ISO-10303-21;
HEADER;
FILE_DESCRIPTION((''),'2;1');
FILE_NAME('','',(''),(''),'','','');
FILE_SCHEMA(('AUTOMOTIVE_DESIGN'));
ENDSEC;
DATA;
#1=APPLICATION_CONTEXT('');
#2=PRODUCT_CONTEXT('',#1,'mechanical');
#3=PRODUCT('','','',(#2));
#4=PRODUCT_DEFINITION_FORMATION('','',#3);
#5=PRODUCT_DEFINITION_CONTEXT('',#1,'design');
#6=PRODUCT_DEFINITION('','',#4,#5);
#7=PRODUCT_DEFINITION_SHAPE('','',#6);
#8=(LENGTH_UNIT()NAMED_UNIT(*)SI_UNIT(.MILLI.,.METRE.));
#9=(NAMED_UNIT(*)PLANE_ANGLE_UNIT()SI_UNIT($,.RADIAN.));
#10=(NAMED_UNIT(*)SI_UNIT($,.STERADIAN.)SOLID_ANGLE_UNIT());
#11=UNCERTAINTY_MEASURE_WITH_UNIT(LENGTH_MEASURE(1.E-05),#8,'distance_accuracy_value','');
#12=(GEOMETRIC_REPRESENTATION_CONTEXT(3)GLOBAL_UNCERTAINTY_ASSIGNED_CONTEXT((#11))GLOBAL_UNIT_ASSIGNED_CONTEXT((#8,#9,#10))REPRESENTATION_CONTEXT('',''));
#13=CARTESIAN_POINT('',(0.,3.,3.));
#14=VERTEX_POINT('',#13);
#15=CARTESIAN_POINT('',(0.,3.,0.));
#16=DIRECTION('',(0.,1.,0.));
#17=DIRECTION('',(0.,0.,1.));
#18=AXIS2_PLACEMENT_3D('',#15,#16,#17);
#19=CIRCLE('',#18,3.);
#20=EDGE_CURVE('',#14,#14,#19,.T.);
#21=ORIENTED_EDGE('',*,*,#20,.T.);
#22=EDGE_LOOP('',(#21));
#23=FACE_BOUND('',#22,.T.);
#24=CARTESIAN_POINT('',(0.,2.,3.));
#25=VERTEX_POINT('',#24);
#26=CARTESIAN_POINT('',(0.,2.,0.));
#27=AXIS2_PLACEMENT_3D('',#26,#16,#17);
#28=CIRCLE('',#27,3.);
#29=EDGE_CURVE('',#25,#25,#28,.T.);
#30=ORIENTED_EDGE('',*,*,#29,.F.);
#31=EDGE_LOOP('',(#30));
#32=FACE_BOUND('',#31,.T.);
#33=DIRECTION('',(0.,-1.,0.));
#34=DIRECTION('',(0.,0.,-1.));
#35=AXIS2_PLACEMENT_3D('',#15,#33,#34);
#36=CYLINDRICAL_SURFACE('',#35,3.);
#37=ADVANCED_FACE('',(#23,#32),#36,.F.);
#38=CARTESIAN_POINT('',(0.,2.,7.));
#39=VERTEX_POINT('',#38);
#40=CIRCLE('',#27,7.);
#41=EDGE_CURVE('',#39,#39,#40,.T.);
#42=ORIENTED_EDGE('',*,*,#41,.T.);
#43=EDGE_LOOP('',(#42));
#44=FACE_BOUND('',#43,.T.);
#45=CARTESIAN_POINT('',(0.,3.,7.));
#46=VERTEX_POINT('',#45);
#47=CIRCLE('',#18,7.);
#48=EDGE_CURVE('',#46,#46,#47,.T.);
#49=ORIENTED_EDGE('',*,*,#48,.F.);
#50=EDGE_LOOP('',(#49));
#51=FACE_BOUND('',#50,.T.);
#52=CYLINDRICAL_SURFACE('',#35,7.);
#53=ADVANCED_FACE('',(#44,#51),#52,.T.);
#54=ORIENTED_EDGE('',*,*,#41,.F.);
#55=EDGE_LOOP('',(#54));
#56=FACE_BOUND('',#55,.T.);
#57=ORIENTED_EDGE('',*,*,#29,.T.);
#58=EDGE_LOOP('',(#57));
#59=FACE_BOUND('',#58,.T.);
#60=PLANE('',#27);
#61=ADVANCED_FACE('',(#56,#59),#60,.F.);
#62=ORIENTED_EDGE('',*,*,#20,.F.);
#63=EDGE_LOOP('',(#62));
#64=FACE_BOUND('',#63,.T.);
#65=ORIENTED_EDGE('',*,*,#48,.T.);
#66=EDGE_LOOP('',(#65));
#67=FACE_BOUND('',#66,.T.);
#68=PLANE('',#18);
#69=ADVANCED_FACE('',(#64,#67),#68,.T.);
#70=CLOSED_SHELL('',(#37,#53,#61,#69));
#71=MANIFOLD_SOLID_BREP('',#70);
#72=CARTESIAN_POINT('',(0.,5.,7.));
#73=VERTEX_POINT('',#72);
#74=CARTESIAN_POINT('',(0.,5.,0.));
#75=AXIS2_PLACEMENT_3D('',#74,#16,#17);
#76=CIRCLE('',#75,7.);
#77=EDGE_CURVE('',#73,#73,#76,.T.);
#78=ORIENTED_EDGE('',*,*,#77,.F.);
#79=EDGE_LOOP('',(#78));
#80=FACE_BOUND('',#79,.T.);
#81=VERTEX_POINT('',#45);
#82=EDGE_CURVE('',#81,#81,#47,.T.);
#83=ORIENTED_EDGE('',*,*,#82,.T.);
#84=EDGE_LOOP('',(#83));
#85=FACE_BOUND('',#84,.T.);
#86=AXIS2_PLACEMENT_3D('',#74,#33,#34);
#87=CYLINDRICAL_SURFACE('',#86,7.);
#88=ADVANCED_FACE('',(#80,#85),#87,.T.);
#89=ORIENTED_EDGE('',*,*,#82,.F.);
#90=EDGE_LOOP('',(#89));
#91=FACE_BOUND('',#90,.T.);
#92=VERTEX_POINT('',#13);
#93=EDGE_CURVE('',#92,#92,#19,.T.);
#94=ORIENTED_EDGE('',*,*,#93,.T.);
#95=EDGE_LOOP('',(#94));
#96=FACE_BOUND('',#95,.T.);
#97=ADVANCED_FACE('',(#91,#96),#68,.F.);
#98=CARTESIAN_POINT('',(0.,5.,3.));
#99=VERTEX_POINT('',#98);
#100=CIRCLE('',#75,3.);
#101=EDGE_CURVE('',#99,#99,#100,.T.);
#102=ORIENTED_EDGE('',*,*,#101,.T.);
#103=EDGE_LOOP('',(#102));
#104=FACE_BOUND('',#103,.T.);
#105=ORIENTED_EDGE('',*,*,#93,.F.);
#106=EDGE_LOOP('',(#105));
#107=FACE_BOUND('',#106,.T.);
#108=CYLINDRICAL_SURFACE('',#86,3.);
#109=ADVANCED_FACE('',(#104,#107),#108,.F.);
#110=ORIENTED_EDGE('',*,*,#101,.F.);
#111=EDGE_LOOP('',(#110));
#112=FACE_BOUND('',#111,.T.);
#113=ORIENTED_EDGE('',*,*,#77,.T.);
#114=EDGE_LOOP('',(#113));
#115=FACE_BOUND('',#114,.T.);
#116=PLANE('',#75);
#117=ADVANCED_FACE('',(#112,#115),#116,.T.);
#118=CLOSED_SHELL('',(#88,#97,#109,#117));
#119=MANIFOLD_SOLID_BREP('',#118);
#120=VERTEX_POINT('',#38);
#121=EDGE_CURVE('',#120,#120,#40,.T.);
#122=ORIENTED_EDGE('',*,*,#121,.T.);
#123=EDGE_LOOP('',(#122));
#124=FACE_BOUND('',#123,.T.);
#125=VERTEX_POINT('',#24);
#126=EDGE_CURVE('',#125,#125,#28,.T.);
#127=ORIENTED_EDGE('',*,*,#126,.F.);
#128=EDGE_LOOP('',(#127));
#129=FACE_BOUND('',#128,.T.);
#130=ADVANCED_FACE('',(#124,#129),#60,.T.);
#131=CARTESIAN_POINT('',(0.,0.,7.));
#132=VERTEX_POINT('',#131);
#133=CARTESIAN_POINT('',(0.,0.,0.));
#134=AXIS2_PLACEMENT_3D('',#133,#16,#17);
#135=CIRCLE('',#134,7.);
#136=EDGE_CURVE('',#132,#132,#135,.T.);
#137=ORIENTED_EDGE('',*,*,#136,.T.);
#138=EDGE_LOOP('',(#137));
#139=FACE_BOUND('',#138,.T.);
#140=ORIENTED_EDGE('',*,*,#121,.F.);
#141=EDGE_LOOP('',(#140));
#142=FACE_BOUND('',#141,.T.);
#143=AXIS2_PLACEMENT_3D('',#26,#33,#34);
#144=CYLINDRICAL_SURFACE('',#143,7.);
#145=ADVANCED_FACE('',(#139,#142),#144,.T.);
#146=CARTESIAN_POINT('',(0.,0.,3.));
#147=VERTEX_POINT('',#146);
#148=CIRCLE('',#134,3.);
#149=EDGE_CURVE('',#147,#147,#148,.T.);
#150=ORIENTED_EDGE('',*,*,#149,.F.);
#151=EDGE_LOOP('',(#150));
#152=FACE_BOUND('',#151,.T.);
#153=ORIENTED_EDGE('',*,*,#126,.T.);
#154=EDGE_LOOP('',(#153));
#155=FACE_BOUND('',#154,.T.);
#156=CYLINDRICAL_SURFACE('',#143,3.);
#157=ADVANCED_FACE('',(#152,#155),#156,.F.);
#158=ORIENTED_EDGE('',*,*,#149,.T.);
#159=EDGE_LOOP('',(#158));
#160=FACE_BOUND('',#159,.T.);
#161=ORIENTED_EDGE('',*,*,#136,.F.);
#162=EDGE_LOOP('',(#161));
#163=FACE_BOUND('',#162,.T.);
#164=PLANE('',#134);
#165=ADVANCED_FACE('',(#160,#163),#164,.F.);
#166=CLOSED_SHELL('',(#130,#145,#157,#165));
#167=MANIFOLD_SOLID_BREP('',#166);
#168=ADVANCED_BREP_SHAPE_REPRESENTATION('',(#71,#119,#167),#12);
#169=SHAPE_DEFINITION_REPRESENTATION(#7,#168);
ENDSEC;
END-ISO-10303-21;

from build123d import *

# Parameters (mm, degrees)
SKETCH_1_R      = 7
SKETCH_1_R_2    = 3
EXTRUDE_1_DEPTH = 2
SKETCH_2_R      = 7
SKETCH_2_R_2    = 3
EXTRUDE_2_DEPTH = 1
SKETCH_3_R      = 7
SKETCH_3_R_2    = 3
EXTRUDE_3_DEPTH = 2


with BuildPart() as part:
    # 草图1 → 凸台-拉伸1 (new body)
    with BuildSketch(Plane(origin=(0, 0, 0), x_dir=(1, 0, 0), z_dir=(0, 1, 0))):
        with Locations(Location((0, 0, 0), (0, 0, 270))):
            Circle(SKETCH_1_R)
        with Locations(Location((0, 0, 0), (0, 0, 270))):
            Circle(SKETCH_1_R_2, mode=Mode.SUBTRACT)
    extrude(amount=EXTRUDE_1_DEPTH)


with BuildPart() as body_2:
    # 草图2 → 凸台-拉伸2 (new body)
    with BuildSketch(Plane(origin=(0, 2, 0), x_dir=(1, 0, 0), z_dir=(0, 1, 0))):
        with Locations(Location((0, 0, 0), (0, 0, 270))):
            Circle(SKETCH_2_R)
        with Locations(Location((0, 0, 0), (0, 0, 270))):
            Circle(SKETCH_2_R_2, mode=Mode.SUBTRACT)
    extrude(amount=EXTRUDE_2_DEPTH)


with BuildPart() as body_3:
    # 草图3 → 凸台-拉伸3 (new body)
    with BuildSketch(Plane(origin=(0, 3, 0), x_dir=(1, 0, 0), z_dir=(0, 1, 0))):
        with Locations(Location((0, 0, 0), (0, 0, 270))):
            Circle(SKETCH_3_R)
        with Locations(Location((0, 0, 0), (0, 0, 270))):
            Circle(SKETCH_3_R_2, mode=Mode.SUBTRACT)
    extrude(amount=EXTRUDE_3_DEPTH)


solid = Compound([part.part, body_2.part, body_3.part])
